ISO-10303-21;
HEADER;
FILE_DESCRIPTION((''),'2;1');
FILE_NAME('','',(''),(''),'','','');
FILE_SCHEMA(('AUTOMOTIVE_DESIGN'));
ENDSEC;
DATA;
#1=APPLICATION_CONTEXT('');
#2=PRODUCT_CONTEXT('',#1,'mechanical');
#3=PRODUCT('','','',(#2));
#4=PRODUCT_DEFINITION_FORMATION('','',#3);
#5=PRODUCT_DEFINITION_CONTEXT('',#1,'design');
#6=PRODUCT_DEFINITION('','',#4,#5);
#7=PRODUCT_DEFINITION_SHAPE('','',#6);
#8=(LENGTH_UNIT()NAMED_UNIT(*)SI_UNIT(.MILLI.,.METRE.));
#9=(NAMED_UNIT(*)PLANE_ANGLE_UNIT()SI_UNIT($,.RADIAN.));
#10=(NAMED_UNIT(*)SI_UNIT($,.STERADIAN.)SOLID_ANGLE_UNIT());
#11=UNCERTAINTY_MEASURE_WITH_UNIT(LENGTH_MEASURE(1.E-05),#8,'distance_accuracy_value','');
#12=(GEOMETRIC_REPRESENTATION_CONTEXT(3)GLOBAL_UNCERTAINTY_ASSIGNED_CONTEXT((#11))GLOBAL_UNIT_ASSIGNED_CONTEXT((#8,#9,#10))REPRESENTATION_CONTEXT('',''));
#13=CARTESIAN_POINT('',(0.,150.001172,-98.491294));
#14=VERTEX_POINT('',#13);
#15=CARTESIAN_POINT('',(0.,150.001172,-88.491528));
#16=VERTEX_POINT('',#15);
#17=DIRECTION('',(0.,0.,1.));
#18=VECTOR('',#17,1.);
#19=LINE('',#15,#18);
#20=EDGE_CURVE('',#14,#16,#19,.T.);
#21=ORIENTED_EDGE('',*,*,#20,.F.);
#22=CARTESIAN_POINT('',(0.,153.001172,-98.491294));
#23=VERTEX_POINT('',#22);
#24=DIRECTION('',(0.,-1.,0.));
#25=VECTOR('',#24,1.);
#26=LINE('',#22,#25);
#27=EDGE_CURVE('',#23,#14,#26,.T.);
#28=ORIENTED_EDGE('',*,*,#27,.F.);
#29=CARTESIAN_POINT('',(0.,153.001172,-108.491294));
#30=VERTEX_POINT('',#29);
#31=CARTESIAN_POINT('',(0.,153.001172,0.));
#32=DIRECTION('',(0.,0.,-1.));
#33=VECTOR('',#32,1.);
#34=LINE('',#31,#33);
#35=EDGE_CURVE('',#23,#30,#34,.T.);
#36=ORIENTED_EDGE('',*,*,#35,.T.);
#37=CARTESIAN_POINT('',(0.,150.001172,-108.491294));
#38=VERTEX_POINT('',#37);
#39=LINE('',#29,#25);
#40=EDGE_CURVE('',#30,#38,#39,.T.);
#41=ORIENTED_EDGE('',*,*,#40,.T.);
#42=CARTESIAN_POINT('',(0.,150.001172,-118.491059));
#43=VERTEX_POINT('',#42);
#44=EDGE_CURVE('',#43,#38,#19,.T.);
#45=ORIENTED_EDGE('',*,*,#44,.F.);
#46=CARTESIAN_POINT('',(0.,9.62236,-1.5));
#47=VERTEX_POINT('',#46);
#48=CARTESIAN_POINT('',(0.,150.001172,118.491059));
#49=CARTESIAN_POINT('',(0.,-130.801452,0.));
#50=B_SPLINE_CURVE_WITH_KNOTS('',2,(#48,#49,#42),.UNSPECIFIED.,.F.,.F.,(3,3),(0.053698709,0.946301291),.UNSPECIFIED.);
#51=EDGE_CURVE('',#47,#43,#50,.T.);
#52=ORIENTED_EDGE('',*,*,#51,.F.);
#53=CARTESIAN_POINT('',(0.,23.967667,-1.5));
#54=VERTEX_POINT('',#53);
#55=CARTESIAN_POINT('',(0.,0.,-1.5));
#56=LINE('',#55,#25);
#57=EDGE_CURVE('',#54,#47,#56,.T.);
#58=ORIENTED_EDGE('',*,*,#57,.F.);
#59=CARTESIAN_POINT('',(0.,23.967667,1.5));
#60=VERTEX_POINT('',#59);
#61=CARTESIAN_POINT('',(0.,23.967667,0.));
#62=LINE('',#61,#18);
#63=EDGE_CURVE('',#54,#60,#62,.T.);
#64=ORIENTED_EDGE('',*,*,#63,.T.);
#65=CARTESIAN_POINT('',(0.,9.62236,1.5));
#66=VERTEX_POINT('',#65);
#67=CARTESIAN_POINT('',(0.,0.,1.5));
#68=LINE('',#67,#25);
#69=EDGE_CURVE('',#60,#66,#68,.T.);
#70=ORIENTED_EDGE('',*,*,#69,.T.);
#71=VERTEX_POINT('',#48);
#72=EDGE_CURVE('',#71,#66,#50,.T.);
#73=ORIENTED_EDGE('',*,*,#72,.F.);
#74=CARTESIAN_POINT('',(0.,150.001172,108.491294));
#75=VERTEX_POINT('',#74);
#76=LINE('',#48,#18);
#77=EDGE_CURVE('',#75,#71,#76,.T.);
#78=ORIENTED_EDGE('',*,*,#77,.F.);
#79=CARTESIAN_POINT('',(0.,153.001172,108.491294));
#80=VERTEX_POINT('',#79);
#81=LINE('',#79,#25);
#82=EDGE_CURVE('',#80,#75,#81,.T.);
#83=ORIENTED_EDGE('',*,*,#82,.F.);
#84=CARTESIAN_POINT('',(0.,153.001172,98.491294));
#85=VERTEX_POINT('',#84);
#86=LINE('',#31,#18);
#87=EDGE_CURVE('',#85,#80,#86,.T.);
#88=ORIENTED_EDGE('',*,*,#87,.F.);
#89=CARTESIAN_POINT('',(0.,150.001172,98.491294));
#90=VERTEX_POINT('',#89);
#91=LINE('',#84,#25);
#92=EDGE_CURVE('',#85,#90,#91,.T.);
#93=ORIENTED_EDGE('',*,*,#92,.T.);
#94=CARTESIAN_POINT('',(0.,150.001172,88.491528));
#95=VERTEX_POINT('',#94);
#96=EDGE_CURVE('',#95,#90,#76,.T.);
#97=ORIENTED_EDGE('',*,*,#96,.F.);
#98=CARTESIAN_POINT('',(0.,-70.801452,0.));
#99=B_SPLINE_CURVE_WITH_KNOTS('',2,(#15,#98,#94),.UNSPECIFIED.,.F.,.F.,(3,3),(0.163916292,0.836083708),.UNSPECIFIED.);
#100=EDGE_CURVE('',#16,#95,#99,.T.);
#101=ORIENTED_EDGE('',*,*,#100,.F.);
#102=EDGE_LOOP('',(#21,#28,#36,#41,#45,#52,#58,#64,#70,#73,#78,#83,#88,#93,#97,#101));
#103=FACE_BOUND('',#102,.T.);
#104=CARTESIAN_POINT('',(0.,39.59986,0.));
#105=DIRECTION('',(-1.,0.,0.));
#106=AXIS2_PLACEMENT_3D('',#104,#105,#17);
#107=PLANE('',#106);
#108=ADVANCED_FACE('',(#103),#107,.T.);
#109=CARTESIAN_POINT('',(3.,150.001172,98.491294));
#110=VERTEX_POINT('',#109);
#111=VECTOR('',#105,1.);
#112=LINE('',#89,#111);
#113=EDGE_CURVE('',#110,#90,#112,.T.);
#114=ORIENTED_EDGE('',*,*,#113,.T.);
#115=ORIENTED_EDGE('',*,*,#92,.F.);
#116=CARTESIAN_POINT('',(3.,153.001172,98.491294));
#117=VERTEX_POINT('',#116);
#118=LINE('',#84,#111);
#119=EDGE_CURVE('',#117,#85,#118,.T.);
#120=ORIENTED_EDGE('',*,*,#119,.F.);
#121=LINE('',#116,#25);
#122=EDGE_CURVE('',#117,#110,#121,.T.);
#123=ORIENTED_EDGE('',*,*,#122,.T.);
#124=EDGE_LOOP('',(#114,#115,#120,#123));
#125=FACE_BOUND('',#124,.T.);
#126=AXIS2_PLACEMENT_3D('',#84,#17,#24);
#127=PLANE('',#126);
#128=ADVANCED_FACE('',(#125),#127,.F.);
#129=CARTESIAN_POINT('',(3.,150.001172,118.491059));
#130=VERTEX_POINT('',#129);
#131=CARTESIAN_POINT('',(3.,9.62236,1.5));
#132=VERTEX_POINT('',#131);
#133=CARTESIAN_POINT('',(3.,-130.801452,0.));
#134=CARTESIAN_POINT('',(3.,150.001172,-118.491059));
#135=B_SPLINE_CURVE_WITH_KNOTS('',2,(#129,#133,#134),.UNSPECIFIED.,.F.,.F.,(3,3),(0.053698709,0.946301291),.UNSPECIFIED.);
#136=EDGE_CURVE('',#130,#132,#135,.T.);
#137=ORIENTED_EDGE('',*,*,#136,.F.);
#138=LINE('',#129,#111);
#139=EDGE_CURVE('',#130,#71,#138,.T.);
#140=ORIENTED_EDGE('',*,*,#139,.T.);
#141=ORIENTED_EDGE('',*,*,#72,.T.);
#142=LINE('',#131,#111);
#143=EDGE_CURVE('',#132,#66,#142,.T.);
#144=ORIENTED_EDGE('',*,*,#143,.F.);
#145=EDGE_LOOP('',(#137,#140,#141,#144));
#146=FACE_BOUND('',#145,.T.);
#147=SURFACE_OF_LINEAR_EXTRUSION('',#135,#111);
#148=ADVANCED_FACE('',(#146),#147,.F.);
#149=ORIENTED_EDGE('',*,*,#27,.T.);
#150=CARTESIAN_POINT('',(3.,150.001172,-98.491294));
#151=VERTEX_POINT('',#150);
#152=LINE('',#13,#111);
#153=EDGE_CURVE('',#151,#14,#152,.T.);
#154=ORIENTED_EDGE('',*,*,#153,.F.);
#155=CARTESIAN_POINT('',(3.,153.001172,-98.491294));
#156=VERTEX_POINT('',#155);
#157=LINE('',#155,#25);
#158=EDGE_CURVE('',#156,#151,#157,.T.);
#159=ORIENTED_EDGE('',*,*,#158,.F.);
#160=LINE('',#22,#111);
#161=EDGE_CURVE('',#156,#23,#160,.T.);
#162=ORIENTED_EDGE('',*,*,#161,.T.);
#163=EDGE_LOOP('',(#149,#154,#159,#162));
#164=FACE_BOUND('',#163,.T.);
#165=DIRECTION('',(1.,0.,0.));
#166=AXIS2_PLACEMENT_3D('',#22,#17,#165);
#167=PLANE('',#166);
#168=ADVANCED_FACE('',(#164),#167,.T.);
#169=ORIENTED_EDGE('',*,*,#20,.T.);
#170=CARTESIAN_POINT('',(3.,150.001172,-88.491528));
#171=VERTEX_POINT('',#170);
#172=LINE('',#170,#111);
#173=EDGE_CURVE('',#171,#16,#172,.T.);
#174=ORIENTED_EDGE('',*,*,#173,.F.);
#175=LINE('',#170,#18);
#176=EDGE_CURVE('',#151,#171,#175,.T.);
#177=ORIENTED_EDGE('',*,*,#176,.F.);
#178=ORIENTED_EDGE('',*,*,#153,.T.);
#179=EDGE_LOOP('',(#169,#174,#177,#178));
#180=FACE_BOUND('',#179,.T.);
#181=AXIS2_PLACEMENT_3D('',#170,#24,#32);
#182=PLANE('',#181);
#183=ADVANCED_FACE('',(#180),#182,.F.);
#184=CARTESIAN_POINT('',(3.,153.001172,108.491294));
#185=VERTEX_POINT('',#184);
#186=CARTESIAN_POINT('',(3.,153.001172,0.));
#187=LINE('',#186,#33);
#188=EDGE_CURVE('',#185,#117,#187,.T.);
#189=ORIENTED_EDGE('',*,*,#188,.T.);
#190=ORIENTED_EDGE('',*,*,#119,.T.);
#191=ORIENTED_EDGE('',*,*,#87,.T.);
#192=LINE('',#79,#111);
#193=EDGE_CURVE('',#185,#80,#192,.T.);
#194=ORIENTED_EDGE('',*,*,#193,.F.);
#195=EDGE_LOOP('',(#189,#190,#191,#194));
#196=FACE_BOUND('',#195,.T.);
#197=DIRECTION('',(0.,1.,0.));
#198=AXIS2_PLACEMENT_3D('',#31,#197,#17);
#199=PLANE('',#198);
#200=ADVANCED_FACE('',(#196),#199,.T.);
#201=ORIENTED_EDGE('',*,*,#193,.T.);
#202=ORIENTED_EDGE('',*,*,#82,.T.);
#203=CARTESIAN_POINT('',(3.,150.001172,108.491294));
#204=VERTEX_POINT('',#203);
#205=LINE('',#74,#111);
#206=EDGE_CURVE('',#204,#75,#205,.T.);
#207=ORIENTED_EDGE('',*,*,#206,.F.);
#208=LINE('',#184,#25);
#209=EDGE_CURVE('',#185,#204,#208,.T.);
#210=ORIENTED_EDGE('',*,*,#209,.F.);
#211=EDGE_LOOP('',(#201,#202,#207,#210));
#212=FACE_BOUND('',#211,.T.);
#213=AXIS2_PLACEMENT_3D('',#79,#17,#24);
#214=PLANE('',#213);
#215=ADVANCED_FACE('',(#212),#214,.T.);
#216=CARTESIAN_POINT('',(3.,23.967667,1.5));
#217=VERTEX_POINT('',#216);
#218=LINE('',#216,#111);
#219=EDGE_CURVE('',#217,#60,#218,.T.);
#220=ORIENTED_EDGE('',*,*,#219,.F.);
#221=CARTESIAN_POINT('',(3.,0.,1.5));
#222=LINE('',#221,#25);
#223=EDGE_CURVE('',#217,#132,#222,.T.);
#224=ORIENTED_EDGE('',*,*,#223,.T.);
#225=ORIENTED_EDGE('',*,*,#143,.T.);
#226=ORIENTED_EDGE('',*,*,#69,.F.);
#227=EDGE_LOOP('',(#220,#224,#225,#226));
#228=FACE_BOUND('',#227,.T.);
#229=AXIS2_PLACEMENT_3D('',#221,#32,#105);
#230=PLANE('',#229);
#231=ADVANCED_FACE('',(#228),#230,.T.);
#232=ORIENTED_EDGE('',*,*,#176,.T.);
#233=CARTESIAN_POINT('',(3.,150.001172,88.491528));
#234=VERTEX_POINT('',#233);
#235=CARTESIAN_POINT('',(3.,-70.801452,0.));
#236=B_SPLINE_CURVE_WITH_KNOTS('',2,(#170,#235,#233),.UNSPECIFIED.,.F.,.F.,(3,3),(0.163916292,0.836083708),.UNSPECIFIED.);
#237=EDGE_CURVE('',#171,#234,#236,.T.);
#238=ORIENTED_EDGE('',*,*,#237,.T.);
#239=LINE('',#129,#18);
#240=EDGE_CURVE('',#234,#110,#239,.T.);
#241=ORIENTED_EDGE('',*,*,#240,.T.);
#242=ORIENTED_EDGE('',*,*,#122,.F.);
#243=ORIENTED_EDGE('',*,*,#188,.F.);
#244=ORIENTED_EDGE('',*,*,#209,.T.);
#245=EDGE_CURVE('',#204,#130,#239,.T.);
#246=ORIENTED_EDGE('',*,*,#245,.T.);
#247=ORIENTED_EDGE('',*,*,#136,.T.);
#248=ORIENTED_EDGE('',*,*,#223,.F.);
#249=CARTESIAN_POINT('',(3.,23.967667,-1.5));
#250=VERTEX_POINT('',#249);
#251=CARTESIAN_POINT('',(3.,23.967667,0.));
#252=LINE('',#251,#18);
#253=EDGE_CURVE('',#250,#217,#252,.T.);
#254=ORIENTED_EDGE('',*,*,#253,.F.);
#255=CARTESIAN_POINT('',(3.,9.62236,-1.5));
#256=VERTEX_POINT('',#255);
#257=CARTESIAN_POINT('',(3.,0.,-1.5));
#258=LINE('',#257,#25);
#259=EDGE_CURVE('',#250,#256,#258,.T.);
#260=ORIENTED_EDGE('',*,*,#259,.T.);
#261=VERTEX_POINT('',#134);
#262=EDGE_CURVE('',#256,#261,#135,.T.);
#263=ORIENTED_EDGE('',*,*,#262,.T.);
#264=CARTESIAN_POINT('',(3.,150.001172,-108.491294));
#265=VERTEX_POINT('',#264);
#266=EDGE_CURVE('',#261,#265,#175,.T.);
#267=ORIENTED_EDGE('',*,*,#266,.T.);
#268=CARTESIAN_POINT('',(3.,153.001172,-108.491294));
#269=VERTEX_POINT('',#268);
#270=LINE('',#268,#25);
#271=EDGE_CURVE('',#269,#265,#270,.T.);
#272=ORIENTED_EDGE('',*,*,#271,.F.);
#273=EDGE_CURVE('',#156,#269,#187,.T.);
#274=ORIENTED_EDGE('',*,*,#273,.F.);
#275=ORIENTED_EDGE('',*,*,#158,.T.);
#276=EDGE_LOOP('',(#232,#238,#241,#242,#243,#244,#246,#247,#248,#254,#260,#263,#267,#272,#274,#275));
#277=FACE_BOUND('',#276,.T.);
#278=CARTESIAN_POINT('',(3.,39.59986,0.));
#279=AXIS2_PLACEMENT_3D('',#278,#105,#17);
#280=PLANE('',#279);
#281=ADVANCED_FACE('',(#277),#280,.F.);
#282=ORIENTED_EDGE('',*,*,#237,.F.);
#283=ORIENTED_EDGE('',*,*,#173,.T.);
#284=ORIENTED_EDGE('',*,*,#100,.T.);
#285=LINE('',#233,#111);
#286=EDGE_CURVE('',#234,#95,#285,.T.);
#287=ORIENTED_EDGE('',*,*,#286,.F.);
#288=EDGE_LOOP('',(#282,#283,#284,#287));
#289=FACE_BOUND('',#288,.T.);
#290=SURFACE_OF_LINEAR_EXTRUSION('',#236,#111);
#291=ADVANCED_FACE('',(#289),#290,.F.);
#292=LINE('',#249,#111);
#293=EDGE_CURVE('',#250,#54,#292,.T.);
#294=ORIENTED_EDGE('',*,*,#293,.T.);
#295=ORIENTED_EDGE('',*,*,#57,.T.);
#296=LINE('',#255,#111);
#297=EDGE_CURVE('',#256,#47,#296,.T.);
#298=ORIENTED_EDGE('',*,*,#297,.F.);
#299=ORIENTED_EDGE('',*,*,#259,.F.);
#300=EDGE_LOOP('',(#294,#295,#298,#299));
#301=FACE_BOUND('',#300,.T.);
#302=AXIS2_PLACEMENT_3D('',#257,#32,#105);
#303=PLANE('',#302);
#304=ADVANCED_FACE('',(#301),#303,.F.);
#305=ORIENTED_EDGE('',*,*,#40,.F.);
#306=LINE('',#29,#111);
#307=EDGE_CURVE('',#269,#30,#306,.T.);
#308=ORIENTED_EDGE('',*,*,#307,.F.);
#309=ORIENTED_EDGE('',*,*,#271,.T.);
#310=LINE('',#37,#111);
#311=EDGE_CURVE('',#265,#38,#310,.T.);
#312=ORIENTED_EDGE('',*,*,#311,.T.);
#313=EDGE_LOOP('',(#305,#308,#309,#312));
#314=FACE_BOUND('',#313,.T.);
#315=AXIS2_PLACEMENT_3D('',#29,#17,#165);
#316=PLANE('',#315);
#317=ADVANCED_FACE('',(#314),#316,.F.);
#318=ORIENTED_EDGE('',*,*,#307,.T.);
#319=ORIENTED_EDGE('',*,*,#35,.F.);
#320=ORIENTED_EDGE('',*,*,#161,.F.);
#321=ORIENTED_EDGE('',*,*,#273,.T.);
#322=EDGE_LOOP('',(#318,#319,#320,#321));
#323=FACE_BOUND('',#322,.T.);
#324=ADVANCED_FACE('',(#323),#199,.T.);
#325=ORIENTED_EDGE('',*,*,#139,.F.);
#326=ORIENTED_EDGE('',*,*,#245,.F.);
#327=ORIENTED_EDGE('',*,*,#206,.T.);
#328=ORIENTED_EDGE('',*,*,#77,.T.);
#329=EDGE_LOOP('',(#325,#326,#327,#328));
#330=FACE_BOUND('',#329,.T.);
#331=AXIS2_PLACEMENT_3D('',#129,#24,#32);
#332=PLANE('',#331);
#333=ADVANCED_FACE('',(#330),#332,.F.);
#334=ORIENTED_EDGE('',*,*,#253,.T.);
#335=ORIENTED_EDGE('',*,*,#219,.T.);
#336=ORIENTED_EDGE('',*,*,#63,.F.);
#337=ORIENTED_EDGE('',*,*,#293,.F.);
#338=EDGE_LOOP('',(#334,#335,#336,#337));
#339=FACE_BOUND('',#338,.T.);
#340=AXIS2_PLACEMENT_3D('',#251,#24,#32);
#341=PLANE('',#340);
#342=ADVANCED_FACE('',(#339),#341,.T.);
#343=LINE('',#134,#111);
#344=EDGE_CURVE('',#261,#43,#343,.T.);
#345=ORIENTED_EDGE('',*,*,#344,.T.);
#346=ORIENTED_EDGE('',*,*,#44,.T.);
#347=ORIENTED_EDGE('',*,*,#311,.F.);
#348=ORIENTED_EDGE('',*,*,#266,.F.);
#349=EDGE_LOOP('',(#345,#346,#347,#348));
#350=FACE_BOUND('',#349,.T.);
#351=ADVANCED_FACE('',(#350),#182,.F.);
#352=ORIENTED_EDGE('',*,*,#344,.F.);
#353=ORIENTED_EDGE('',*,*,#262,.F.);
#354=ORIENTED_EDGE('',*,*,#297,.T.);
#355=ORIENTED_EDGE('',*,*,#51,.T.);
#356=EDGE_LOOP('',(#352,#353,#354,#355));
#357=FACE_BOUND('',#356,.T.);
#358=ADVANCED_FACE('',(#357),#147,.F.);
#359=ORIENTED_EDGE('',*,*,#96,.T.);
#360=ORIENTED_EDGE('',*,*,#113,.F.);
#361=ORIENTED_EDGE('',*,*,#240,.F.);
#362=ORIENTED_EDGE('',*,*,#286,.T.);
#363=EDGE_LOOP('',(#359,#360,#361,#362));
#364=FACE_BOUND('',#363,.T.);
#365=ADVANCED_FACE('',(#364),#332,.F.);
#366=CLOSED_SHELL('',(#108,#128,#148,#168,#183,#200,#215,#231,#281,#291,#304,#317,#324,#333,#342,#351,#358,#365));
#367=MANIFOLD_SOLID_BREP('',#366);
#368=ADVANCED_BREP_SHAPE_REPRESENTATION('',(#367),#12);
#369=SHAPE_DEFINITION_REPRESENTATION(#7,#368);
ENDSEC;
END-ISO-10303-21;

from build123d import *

# Parameters (mm, degrees)
EXTRUDE_1_DEPTH     = 3
EXTRUDE_2_DEPTH     = 3
CUT_EXTRUDE_1_DEPTH = 194.541958544


with BuildPart() as part:
    # 草图1 → 凸台-拉伸1 (new body)
    with BuildSketch(Plane(origin=(0, 0, 0), x_dir=(0, 0, -1), z_dir=(1, 0, 0))):
        with BuildLine():
            Line((-118.4910594, 150.001171578), (-88.491527969, 150.001171578))
            add(Edge.make_bspline(
                [(-88.491527969, 150.001171578), (0, -70.801451578), (88.491527969, 150.001171578)],
                knots=[0.163916292, 0.163916292, 0.163916292, 0.836083708, 0.836083708, 0.836083708], degree=2))
            Line((88.491527969, 150.001171578), (118.4910594, 150.001171578))
            add(Edge.make_bspline(
                [(-118.4910594, 150.001171578), (0, -130.801451578), (118.4910594, 150.001171578)],
                knots=[0.053698709, 0.053698709, 0.053698709, 0.946301291, 0.946301291, 0.946301291], degree=2))
        make_face()
    extrude(amount=EXTRUDE_1_DEPTH)

    # 草图2 → 凸台-拉伸2 (add)
    with BuildSketch(Plane(origin=(0, 150.001171578, 0), x_dir=(1, 0, 0), z_dir=(0, 1, 0))):
        Polygon((0, 98.491293685), (0.99999219, 98.491293685), (2.00000781, 108.491293685), (0, 108.491293685), align=None)
        Polygon((2.00000781, 108.491293685), (0.99999219, 98.491293685), (3, 98.491293685), (3, 108.491293685), align=None)
        Polygon((2.00000781, -98.491293685), (0.99999219, -108.491293685), (3, -108.491293685), (3, -98.491293685), align=None)
        Polygon((0, -108.491293685), (0.99999219, -108.491293685), (2.00000781, -98.491293685), (0, -98.491293685), align=None)
    extrude(amount=EXTRUDE_2_DEPTH)

    # 草图3 → 切除-拉伸1 (cut, through all)
    with BuildSketch(Plane.ZY):
        with BuildLine():
            Line((1.5, 23.967667099), (-1.5, 23.967667099))
            Line((-1.5, 23.967667099), (-1.5, 9.62236))
            add(Edge.make_bspline(
                [(-1.5, 9.62236), (0, 9.57736), (1.5, 9.62236)],
                knots=[0.49435019, 0.49435019, 0.49435019, 0.50564981, 0.50564981, 0.50564981], degree=2))
            Line((1.5, 9.62236), (1.5, 23.967667099))
        make_face()
    extrude(amount=-CUT_EXTRUDE_1_DEPTH, mode=Mode.SUBTRACT)


solid = part.part
